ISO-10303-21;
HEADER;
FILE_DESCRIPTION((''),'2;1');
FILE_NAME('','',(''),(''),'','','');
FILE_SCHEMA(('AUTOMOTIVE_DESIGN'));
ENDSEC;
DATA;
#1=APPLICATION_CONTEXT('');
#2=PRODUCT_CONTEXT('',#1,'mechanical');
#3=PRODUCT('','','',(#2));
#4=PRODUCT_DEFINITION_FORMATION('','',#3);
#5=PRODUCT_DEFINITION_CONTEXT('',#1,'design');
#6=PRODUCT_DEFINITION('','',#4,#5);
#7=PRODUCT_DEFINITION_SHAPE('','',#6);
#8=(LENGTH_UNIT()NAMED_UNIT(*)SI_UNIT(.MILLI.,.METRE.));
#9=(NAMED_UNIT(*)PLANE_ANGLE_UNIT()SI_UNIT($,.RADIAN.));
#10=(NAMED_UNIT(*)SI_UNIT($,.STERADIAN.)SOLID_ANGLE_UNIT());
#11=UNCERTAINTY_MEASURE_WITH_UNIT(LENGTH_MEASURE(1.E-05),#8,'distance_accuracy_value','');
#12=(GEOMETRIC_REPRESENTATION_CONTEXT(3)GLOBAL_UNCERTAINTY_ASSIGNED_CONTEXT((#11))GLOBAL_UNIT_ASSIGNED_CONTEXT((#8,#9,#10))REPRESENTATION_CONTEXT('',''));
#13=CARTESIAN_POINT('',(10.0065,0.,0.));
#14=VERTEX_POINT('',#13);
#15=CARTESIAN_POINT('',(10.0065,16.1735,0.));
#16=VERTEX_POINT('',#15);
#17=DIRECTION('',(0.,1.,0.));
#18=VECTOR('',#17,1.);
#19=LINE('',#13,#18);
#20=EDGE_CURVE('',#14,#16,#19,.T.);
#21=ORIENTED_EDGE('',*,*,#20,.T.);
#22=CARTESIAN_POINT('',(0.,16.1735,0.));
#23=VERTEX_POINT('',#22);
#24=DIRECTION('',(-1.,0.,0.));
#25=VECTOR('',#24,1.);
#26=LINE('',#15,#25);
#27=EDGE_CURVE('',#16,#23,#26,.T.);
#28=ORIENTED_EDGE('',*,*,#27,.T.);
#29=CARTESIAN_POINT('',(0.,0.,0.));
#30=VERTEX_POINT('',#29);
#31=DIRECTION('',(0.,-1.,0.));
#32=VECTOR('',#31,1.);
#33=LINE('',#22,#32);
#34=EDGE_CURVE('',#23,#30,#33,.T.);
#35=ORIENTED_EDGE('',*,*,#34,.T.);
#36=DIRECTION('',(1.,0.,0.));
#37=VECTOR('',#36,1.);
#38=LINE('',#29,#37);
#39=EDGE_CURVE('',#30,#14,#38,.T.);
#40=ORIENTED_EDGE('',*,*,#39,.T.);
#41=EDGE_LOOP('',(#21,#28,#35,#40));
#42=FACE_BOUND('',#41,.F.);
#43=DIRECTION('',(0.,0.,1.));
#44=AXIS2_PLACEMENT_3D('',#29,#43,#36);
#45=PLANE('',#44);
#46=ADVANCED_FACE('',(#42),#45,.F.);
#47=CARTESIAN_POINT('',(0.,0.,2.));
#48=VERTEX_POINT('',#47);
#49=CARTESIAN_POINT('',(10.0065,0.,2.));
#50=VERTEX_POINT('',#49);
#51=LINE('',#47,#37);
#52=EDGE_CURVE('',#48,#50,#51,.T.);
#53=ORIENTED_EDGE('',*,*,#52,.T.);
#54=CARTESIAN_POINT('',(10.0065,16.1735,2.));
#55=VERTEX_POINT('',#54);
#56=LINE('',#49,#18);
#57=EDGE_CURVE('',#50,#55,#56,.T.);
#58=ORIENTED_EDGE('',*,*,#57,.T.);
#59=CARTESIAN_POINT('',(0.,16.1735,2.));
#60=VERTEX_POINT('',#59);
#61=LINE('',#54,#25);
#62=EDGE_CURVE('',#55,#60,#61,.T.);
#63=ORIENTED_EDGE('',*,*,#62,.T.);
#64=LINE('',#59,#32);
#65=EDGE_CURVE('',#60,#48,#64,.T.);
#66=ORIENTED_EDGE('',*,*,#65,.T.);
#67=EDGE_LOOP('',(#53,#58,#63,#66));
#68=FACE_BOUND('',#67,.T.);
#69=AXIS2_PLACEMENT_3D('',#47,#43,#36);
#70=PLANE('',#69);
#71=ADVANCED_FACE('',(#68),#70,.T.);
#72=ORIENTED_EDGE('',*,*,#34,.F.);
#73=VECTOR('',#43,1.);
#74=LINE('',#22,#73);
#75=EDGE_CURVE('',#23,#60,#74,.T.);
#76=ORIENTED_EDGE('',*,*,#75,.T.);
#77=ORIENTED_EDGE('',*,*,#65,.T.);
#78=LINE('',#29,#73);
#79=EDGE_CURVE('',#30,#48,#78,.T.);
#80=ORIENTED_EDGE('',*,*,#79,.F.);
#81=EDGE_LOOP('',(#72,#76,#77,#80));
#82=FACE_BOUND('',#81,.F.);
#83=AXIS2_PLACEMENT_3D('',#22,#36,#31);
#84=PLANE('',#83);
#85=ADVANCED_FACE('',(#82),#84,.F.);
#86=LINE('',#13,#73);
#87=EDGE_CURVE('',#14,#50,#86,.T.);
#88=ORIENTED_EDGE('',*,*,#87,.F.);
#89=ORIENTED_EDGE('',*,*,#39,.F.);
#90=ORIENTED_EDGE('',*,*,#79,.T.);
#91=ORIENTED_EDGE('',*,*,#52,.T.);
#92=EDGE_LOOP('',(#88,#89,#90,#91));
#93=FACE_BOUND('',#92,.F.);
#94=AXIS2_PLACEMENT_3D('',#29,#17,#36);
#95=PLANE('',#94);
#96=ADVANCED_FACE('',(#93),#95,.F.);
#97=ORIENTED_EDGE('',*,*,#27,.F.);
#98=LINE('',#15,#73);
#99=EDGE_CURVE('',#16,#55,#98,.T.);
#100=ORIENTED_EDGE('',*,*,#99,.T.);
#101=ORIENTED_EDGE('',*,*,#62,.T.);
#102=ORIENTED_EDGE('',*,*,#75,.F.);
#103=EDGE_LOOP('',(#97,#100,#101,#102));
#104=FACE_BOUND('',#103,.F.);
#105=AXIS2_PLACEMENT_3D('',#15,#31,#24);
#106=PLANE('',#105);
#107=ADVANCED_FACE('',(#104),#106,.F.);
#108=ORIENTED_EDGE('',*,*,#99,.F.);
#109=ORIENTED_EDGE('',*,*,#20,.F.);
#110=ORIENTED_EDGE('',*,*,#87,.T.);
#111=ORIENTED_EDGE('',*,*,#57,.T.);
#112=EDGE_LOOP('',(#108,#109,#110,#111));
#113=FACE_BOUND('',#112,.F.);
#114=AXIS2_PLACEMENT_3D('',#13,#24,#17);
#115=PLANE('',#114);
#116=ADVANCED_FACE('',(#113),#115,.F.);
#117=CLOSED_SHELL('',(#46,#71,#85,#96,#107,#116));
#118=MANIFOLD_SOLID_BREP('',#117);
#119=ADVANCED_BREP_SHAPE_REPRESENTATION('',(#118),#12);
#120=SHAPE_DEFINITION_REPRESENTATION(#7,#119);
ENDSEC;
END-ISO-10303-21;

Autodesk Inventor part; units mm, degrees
ref_plane "YZ Plane" through (0, 0, 0) normal (1, 0, 0) x (0, 1, 0)
ref_plane "XZ Plane" through (0, 0, 0) normal (0, 1, 0) x (-1, 0, 0)
ref_plane "XY Plane" through (0, 0, 0) normal (0, 0, 1) x (1, 0, 0)
sketch "Sketch1" plane through (0, 0, 0) normal (0, 0, 1) x (1, 0, 0)
  line L0 (0, 0) -> (10.0065, 0)
  line L1 (10.0065, 0) -> (10.0065, 16.1735)
  line L2 (10.0065, 16.1735) -> (0, 16.1735)
  line L3 (0, 16.1735) -> (0, 0)
extrude "Extrusion1" add sketch "Sketch1" along normal blind 2
